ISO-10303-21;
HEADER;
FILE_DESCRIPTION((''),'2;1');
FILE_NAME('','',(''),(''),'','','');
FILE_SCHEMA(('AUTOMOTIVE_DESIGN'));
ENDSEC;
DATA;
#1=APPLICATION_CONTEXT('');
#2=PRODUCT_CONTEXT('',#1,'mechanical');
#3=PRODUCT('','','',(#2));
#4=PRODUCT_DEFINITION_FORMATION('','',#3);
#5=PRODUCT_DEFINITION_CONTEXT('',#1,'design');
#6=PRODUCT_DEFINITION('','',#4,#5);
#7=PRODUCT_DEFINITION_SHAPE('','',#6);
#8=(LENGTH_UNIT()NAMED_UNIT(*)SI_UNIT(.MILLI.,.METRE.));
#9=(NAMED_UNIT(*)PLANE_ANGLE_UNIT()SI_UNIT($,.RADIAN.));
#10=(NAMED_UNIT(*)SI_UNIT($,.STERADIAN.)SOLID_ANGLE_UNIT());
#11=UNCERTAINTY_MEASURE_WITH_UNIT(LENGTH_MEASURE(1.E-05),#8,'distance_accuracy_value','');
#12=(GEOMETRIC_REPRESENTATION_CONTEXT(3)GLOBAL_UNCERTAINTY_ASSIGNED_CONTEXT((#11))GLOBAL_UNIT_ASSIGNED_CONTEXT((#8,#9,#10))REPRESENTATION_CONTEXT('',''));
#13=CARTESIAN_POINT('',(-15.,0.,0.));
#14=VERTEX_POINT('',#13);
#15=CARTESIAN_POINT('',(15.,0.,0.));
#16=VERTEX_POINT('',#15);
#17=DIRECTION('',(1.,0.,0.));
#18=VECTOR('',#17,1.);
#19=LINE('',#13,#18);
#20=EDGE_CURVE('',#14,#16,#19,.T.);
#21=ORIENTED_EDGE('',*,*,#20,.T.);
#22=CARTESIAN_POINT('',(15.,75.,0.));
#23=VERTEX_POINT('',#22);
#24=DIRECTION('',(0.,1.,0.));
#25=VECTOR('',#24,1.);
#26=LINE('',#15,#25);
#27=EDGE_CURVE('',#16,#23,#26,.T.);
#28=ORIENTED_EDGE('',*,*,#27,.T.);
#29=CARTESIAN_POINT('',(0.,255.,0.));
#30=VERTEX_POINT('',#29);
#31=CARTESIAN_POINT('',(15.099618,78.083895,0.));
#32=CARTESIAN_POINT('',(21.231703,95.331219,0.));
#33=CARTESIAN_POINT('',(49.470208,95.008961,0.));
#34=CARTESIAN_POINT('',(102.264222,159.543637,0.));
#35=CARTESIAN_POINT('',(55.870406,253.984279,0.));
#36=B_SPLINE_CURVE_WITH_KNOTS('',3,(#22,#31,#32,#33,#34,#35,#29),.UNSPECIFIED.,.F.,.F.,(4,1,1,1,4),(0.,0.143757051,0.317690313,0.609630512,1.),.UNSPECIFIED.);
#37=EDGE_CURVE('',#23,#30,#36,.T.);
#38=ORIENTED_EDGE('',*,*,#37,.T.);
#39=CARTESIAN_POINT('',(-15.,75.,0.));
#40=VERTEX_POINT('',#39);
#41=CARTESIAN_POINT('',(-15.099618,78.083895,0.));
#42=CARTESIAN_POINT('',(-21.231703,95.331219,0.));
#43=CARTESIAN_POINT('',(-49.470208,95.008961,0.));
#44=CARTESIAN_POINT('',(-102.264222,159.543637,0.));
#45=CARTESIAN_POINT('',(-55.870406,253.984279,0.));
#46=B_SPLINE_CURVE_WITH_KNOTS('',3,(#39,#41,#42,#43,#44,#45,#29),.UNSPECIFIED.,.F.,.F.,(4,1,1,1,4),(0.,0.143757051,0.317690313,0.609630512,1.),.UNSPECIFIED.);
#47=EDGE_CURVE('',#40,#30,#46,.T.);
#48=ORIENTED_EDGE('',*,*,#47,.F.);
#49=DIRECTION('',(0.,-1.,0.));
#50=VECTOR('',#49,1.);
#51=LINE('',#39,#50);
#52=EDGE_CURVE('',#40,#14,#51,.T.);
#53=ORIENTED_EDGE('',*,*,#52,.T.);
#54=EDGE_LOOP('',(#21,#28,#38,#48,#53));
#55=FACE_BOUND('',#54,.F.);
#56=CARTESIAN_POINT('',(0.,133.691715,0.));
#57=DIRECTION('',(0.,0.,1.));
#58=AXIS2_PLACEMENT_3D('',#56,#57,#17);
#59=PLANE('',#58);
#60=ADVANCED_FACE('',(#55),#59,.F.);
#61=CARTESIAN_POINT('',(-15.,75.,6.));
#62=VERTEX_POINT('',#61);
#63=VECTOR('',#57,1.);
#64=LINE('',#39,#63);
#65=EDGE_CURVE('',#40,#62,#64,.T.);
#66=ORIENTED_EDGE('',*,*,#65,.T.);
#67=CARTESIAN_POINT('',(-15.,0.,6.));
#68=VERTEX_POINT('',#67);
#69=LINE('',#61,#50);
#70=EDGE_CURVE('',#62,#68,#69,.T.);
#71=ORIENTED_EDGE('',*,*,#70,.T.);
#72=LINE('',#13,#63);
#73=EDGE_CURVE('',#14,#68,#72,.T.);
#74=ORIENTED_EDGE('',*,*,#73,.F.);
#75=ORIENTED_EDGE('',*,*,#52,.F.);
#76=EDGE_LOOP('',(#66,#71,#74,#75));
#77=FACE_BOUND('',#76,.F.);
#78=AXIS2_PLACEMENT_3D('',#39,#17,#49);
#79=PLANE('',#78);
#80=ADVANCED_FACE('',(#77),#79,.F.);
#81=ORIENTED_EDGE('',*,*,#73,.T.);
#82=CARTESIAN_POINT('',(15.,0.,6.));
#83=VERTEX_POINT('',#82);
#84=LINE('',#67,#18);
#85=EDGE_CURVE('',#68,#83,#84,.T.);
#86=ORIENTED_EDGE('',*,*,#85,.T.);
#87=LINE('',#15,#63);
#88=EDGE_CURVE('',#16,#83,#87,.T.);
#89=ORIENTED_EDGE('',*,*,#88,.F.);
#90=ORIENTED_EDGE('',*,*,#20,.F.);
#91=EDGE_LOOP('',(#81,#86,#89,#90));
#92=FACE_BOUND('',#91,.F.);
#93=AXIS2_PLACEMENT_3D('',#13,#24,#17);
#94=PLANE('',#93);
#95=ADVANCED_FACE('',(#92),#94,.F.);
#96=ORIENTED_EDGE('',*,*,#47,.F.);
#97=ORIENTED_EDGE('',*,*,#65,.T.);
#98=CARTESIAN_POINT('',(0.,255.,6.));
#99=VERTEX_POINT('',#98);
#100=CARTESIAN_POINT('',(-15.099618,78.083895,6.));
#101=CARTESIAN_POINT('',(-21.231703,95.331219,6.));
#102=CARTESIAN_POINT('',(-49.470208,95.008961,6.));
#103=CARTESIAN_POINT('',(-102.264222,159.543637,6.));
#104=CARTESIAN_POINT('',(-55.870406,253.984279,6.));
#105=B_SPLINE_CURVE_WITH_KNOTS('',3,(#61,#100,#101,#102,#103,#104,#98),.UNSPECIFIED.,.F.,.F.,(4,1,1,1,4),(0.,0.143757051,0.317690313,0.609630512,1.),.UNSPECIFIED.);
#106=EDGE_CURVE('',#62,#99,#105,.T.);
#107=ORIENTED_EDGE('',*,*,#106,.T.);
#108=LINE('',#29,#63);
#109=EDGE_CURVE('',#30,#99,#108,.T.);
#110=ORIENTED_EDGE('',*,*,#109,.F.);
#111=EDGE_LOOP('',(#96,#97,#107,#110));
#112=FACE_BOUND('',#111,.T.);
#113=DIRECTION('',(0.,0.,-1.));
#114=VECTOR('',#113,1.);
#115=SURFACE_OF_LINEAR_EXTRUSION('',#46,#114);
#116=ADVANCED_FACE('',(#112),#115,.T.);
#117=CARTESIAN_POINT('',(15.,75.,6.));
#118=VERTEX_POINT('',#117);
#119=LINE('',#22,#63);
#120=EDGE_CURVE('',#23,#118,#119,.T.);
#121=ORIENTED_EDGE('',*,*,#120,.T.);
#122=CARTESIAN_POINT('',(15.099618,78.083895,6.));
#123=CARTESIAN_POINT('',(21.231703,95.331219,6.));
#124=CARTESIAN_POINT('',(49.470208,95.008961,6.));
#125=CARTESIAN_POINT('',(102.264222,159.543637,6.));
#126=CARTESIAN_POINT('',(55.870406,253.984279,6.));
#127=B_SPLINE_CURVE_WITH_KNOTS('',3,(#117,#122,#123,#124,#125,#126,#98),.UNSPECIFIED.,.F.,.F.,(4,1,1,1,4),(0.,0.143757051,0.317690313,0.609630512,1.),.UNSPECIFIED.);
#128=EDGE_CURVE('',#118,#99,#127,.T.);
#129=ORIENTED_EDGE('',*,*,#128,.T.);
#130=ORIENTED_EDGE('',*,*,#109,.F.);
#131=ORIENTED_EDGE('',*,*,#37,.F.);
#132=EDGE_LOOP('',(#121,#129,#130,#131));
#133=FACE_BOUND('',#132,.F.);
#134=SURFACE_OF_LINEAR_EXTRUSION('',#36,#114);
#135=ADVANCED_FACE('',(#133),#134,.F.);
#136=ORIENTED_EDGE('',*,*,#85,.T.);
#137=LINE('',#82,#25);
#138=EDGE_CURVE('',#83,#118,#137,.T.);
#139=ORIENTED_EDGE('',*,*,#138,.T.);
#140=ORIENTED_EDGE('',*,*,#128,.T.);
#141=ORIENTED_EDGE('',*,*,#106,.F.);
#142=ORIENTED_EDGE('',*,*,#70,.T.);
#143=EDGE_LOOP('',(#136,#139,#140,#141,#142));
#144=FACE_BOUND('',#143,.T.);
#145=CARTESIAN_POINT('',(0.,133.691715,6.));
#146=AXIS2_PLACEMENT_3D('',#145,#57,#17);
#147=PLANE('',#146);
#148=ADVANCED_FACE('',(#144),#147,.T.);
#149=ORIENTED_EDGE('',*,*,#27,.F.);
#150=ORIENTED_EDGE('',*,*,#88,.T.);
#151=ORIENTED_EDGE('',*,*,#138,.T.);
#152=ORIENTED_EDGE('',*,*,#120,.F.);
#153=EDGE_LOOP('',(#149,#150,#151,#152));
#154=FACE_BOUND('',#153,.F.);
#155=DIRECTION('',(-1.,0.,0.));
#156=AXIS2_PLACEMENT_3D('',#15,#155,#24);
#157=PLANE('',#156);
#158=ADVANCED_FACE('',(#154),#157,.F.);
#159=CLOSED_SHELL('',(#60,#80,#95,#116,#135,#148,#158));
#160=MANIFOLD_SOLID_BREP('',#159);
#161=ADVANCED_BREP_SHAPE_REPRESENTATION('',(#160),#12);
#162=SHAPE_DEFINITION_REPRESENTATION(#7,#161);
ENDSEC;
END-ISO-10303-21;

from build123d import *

# Parameters (mm, degrees)
F1_DEPTH = 6


with BuildPart() as f1:
    # F0 (on Top) → F1 (new body)
    with BuildSketch(Plane.XY):
        with BuildLine():
            Line((-15, 0), (0, 0))
            Line((0, 0), (15, 0))
            Line((15, 0), (15, 75))
            add(Edge.make_bspline(
                [(15, 75), (15.0996175271, 78.0838948224), (21.2317025835, 95.3312189931), (49.470208468, 95.0089612224), (102.2642219491, 159.5436369498), (55.8704061335, 253.984279461), (0, 255)],
                knots=[0, 0, 0, 0, 0.1437570514, 0.3176903126, 0.6096305124, 1, 1, 1, 1], degree=3))
            add(Edge.make_bspline(
                [(-15, 75), (-15.0996175271, 78.0838948224), (-21.2317025835, 95.3312189931), (-49.470208468, 95.0089612224), (-102.2642219491, 159.5436369498), (-55.8704061335, 253.984279461), (0, 255)],
                knots=[0, 0, 0, 0, 0.1437570514, 0.3176903126, 0.6096305124, 1, 1, 1, 1], degree=3))
            Line((-15, 75), (-15, 0))
        make_face()
    extrude(amount=F1_DEPTH)


solid = f1.part
